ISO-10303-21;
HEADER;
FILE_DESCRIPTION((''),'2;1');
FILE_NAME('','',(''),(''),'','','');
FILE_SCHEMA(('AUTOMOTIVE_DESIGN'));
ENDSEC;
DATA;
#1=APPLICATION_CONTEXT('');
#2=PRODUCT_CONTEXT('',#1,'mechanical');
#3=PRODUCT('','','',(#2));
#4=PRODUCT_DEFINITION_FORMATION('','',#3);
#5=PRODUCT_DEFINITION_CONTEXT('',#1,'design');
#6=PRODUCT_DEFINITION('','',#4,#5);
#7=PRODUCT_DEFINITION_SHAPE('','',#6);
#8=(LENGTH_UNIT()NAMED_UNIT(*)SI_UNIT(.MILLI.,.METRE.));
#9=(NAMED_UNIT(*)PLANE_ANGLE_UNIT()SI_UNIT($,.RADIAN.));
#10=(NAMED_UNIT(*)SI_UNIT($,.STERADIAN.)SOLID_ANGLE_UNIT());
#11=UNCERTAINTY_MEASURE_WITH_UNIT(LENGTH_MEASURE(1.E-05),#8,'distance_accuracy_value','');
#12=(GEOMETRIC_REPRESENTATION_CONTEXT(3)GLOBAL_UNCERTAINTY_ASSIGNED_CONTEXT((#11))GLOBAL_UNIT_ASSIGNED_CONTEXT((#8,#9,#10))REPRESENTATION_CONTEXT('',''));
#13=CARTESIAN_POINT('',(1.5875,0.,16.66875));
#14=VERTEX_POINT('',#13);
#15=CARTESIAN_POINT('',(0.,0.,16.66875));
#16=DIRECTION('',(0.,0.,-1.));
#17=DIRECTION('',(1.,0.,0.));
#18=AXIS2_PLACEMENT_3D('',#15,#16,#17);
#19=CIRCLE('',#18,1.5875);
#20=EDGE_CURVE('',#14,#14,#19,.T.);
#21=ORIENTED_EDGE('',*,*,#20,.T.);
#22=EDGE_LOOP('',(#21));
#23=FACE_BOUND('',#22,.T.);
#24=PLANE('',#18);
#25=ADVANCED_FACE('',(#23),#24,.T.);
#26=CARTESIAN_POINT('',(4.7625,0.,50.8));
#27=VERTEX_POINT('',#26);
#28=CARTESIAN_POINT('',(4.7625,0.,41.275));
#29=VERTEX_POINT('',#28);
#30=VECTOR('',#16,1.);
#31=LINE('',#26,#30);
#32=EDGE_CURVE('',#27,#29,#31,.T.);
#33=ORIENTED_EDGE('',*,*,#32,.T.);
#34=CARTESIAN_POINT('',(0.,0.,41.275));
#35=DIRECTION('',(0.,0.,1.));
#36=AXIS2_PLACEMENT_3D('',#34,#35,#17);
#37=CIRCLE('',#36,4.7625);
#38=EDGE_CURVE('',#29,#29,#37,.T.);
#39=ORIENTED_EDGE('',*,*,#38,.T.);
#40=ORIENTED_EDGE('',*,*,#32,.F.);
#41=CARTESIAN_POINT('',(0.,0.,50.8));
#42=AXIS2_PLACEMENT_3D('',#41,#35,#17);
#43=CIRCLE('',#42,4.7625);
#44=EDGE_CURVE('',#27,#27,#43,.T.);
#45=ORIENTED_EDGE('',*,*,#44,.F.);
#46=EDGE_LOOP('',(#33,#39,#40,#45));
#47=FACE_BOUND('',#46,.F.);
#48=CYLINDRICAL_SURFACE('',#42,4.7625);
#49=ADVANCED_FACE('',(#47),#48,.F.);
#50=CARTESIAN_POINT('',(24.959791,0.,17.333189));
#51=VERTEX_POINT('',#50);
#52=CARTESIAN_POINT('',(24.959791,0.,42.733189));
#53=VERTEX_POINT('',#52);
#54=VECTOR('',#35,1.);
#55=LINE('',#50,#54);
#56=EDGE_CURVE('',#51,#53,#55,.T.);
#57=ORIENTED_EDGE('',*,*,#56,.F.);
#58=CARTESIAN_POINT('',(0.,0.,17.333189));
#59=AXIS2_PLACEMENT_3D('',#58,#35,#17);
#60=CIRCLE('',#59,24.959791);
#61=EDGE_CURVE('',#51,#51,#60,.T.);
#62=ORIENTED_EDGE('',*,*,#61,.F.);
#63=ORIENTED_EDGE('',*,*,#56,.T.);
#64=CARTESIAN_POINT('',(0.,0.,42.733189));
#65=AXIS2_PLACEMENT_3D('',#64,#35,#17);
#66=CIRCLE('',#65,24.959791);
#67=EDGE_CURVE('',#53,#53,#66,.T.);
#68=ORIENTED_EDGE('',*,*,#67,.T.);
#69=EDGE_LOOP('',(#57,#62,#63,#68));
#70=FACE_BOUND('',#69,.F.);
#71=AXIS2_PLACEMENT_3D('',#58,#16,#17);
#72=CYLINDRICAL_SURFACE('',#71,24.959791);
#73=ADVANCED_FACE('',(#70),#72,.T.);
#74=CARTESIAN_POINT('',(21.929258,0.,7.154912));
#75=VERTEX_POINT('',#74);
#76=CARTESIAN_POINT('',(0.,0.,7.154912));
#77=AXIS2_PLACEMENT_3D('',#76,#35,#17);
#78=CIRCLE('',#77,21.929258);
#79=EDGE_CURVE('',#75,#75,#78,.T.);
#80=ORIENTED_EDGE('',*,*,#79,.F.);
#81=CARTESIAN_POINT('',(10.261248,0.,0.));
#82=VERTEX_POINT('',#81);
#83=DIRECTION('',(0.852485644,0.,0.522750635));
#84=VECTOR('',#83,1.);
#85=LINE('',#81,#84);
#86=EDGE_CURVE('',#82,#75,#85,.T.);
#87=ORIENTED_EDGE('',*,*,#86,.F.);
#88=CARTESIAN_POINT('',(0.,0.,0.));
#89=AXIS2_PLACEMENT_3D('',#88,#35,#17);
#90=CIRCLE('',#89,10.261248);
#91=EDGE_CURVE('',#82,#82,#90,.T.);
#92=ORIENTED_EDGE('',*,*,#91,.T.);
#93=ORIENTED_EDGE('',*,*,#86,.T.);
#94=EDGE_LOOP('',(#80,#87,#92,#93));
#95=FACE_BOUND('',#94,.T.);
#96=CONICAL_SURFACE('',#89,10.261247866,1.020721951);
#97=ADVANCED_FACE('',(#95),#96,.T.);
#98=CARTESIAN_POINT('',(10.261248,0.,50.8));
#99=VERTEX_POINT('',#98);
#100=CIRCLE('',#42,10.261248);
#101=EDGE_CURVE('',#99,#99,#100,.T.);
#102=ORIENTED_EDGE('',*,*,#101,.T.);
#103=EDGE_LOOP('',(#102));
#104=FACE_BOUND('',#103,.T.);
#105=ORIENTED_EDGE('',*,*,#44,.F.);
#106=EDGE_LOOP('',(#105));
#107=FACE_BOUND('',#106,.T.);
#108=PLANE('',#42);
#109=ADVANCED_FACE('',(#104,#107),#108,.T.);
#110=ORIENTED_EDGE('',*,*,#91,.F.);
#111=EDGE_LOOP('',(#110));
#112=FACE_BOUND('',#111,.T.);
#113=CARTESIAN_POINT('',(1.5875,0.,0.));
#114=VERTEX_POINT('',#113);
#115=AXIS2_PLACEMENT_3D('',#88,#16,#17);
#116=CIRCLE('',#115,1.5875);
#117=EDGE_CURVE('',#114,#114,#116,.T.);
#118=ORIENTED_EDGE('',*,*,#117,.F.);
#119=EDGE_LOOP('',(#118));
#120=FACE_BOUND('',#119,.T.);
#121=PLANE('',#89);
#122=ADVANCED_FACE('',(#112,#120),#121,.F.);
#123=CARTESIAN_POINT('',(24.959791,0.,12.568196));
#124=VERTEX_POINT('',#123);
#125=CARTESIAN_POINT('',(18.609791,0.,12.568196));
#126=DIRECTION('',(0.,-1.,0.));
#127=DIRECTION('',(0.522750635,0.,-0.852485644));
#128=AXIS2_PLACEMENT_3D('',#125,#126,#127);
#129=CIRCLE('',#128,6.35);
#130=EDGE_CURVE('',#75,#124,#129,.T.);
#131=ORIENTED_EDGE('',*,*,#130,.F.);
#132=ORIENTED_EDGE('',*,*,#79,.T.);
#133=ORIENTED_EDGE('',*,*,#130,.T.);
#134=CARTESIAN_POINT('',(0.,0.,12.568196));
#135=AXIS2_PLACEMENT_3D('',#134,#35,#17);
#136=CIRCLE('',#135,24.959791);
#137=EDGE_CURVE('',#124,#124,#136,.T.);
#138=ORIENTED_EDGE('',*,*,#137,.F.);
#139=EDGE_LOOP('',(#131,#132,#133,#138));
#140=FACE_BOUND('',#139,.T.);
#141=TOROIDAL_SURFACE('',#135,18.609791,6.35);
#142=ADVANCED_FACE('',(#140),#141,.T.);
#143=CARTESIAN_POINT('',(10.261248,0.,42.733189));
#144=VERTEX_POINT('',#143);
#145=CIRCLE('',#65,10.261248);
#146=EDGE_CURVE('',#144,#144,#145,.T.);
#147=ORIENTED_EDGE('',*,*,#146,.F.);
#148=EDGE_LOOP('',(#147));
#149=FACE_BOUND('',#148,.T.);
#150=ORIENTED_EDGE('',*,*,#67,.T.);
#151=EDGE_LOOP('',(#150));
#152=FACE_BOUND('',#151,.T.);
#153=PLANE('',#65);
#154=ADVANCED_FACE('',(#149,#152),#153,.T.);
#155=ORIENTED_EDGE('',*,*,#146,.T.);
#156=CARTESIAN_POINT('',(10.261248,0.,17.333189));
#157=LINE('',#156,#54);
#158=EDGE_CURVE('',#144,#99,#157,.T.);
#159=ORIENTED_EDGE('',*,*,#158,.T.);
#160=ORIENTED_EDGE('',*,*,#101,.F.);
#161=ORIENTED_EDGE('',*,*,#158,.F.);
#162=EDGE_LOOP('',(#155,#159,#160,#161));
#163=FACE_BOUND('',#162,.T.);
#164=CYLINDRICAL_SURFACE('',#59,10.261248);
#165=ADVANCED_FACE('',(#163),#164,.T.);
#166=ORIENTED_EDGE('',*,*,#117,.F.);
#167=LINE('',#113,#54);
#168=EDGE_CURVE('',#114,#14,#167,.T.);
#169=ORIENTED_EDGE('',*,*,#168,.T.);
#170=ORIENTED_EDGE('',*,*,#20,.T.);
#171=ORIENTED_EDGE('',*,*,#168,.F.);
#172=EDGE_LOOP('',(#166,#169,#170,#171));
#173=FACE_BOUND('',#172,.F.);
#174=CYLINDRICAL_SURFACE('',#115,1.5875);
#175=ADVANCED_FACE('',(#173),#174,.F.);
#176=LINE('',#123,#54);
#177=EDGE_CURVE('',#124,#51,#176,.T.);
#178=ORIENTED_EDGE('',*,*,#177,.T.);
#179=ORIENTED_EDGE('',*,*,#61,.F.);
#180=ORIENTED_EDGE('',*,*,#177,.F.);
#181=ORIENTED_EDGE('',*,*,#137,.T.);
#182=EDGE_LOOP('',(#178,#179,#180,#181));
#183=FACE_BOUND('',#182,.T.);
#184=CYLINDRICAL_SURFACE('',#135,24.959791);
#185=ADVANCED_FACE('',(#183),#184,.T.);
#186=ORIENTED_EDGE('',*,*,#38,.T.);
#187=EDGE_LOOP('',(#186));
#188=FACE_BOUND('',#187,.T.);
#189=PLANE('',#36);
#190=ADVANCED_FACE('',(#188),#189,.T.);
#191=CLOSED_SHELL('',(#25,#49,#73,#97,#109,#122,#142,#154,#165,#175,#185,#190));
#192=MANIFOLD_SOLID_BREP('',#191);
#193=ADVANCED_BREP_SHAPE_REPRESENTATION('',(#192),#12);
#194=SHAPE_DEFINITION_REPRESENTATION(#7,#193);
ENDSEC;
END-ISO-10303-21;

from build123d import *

# Parameters (mm, degrees)
F2_R     = 4.7625
F3_DEPTH = 9.525
F4_R     = 1.5875
F5_DEPTH = 16.66875
F6_DEPTH = 25.4


with BuildPart() as f1:
    # F0 (on Front) → F1 (revolve)
    with BuildSketch(Plane.XZ):
        with BuildLine():
            Line((0, 50.8), (0, 0))
            Line((0, 0), (10.2612478659, 0))
            Line((10.2612478659, 0), (21.9292579814, 7.1549119122))
            ThreePointArc((21.9292579814, 7.1549119122), (24.1505997169, 9.4662699385), (24.9597914517, 12.5681957545))
            Line((24.9597914517, 12.5681957545), (24.9597914517, 17.3331890255))
            Line((24.9597914517, 17.3331890255), (10.2612478659, 17.3331890255))
            Line((10.2612478659, 17.3331890255), (10.2612478659, 50.8))
            Line((10.2612478659, 50.8), (0, 50.8))
        make_face()
    revolve(axis=Axis((0, 0, 25.4), (0, 0, 1)))

    # F2 (on face) → F3 (cut)
    with BuildSketch(Plane.XY.offset(50.8)):
        Circle(F2_R)
    extrude(amount=-F3_DEPTH, mode=Mode.SUBTRACT)

    # F4 (on face) → F5 (cut)
    with BuildSketch(Plane(origin=(0, 0, 0), x_dir=(1, 0, 0), z_dir=(0, 0, -1))):
        Circle(F4_R)
    extrude(amount=-F5_DEPTH, mode=Mode.SUBTRACT)

    # F6 (add): a face of the model
    f6_faces = [f1.faces().sort_by_distance(p)[0] for p in [
        (-24.25382194, 0, 17.3331890255),
    ]]
    extrude(f6_faces, amount=F6_DEPTH)


solid = f1.part
